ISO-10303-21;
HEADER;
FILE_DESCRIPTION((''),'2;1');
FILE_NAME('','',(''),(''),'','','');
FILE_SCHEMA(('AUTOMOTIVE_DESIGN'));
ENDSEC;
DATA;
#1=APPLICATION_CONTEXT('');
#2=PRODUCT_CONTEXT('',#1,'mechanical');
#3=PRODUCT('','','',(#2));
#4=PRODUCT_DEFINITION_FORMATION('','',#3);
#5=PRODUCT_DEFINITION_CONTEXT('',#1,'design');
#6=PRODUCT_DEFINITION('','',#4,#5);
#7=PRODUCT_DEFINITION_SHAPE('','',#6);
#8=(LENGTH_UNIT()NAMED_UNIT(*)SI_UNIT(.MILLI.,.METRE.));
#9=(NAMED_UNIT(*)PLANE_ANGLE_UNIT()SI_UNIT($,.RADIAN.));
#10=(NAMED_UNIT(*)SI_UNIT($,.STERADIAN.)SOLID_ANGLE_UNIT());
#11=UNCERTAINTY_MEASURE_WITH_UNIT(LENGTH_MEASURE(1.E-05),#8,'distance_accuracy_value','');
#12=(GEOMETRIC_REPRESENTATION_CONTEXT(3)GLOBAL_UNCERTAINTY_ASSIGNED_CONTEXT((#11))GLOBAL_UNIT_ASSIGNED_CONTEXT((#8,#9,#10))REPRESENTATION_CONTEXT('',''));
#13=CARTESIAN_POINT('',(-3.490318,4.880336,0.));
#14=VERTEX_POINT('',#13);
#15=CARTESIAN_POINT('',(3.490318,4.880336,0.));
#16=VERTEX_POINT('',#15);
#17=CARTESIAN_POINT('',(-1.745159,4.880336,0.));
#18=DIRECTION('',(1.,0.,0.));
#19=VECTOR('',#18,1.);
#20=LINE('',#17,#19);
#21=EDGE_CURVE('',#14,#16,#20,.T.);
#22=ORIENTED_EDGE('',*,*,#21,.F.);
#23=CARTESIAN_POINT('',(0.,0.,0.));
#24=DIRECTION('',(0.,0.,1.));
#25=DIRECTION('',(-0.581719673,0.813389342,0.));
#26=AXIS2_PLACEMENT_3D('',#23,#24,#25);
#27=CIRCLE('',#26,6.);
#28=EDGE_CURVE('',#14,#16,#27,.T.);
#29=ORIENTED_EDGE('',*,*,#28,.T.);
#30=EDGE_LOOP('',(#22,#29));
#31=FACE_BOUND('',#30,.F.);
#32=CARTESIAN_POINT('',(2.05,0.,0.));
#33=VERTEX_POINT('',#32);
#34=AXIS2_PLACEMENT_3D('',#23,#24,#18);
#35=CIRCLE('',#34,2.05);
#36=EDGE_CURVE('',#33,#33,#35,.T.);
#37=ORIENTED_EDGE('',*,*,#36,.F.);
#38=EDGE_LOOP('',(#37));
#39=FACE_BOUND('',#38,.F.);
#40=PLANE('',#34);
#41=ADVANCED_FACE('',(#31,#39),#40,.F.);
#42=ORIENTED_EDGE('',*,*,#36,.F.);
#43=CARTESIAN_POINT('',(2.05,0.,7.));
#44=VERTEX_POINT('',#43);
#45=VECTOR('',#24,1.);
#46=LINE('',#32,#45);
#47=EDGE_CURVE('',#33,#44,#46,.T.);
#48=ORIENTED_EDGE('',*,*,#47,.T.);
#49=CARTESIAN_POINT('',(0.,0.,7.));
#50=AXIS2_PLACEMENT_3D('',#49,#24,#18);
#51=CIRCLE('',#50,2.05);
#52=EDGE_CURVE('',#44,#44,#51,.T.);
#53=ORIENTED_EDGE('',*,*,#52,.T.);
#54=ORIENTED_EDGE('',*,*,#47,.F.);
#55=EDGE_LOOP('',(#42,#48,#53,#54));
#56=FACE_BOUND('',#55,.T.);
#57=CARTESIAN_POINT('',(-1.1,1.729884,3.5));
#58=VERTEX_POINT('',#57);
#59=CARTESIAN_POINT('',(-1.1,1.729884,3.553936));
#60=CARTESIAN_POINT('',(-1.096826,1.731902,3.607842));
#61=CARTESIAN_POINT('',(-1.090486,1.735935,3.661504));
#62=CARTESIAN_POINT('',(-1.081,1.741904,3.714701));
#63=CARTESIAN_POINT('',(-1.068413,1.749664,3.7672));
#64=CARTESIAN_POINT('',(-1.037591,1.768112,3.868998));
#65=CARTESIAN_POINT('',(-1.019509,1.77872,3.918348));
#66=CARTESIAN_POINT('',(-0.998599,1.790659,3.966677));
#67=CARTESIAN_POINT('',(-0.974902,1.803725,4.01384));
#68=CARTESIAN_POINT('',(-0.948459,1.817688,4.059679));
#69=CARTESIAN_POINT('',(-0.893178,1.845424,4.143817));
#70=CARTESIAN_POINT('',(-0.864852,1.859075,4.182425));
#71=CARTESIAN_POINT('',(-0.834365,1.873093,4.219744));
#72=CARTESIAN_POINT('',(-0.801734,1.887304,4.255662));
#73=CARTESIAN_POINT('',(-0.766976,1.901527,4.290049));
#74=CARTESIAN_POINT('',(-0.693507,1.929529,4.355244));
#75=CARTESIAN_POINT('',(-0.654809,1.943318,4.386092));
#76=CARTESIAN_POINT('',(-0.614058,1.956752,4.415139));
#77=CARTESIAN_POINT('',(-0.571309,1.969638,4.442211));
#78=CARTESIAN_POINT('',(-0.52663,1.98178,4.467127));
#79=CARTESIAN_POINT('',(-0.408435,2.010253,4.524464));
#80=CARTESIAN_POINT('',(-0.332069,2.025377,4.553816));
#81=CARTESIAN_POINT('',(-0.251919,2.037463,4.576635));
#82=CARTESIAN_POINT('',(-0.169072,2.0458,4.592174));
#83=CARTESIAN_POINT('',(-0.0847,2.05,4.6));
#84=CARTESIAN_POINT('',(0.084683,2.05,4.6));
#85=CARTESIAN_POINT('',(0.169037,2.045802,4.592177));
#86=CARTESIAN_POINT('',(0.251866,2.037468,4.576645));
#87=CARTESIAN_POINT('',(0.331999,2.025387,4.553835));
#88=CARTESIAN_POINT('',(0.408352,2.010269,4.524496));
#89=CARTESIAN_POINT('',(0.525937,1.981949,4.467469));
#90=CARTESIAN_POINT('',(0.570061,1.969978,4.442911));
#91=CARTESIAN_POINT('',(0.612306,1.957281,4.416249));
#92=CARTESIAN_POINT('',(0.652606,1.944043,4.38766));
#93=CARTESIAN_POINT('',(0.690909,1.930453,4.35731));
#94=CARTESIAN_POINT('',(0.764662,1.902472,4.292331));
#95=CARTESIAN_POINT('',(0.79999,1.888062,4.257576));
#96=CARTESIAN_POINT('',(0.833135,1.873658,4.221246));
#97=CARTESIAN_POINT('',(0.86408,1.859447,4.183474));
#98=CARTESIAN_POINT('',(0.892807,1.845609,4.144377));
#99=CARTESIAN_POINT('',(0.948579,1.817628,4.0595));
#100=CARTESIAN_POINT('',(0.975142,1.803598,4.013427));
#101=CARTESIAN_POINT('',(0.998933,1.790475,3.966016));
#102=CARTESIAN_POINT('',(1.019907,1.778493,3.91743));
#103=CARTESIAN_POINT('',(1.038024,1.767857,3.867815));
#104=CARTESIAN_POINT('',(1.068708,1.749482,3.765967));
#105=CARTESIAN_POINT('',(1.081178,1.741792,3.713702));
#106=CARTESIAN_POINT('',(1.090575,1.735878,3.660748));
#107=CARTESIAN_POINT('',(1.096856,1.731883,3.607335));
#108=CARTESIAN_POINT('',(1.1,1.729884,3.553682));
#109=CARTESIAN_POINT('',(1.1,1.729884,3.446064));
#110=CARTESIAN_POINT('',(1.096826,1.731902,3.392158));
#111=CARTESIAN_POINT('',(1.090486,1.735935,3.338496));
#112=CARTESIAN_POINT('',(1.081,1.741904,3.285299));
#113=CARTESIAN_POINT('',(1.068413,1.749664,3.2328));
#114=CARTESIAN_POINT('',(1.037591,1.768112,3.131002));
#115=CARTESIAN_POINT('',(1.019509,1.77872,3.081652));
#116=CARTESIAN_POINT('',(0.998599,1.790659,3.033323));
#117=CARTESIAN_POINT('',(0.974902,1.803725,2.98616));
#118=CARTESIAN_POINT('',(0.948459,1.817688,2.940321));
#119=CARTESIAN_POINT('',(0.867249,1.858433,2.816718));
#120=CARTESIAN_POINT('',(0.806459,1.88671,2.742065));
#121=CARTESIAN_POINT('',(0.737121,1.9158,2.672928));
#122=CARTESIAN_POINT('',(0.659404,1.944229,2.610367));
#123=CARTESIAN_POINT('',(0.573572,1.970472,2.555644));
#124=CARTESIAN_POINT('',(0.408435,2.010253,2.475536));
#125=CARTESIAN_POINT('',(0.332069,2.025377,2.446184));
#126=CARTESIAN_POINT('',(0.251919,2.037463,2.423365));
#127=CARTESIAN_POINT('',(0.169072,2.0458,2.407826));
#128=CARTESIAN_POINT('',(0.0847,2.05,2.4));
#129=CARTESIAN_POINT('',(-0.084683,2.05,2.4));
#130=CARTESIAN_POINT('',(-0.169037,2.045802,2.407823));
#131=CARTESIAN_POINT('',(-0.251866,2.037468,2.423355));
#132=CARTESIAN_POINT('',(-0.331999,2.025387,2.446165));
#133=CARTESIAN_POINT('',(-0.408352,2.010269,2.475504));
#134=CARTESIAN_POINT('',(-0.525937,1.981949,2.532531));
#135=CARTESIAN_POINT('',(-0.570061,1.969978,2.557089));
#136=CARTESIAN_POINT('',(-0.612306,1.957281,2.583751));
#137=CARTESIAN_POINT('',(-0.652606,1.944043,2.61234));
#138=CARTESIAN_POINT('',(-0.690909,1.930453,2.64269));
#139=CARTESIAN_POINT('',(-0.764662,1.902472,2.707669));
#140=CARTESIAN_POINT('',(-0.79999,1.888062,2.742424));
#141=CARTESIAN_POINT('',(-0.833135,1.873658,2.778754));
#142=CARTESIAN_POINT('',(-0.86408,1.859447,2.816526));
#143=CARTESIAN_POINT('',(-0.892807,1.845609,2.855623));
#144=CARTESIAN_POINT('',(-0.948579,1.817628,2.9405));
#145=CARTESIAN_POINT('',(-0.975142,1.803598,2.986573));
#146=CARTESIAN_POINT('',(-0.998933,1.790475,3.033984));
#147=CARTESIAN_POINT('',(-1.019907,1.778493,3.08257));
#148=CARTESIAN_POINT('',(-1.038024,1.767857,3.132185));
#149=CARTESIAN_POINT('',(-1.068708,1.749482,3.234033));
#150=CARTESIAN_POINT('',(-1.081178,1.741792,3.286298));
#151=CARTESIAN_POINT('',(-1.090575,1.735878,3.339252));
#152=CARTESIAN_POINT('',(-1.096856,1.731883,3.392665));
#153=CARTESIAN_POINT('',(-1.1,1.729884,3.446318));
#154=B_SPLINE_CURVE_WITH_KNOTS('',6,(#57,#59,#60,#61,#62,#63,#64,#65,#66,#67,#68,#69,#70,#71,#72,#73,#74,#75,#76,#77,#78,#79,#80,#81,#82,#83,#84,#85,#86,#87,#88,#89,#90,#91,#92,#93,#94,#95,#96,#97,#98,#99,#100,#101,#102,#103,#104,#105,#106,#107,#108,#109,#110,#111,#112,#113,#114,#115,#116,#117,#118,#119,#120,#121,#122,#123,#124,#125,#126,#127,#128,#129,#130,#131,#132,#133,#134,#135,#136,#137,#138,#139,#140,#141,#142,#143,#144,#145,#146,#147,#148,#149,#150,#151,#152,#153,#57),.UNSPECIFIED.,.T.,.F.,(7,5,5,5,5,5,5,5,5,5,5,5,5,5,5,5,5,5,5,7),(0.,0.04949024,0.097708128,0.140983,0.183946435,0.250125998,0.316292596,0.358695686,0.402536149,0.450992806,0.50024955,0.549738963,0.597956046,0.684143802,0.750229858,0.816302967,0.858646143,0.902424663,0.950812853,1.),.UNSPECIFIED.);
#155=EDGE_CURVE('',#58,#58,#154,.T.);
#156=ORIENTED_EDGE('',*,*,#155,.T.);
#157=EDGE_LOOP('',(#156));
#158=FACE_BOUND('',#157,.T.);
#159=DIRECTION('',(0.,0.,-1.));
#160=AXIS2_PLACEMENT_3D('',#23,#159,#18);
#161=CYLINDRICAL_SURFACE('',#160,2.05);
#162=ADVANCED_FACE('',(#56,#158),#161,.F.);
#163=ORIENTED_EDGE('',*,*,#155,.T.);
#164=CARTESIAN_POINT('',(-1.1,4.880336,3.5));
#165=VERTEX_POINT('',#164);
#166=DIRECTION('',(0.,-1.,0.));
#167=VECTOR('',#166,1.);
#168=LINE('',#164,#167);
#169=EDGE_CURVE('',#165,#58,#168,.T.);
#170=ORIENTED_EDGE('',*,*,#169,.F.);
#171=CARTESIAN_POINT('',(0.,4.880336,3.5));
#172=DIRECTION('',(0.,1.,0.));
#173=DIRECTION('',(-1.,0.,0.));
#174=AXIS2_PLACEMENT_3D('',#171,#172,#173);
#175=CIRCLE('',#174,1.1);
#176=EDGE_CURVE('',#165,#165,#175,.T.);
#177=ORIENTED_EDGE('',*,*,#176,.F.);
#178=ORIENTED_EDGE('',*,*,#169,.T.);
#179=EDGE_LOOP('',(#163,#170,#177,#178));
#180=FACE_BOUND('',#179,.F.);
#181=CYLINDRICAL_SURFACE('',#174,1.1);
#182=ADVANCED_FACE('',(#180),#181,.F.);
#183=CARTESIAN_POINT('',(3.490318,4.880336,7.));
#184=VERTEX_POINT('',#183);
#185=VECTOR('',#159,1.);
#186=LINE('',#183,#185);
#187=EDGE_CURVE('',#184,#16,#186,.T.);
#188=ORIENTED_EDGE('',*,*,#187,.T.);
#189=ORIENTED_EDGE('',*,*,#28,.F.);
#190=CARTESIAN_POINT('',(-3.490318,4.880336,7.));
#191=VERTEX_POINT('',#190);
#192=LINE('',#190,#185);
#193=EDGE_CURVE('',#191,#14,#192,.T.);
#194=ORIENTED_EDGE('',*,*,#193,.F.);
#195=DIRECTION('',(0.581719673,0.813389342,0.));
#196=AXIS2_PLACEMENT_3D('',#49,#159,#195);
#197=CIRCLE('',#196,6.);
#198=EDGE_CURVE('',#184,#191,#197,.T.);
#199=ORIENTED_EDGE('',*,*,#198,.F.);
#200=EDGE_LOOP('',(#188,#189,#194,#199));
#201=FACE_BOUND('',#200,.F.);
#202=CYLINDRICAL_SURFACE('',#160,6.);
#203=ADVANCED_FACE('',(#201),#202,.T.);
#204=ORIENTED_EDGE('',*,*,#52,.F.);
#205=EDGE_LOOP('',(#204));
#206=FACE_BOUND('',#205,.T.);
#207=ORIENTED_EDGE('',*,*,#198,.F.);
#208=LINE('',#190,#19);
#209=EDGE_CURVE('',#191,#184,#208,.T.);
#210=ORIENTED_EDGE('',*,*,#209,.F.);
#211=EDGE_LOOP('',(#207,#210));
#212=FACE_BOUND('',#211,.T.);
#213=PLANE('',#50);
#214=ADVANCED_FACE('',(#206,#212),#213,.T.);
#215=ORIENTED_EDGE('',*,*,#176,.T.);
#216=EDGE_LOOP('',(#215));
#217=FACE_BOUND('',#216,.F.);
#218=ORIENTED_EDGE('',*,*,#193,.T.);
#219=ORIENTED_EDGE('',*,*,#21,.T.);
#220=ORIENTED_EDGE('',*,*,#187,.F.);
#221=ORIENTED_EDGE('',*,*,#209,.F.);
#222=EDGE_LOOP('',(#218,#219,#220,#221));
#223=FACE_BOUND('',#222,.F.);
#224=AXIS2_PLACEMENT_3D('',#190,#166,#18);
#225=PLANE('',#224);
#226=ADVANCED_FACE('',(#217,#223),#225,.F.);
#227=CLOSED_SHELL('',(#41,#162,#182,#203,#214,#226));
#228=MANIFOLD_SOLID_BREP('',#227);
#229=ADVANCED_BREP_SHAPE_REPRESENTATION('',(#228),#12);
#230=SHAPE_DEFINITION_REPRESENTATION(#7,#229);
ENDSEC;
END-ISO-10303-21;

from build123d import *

# Parameters (mm, degrees)
F0_R     = 6
F0_R_2   = 2.05
F1_DEPTH = 7
F3_DEPTH = 7.001
F4_R     = 1.1
F5_DEPTH = 4


with BuildPart() as f1:
    # F0 (on Top) → F1 (new body)
    with BuildSketch(Plane.XY):
        Circle(F0_R)
        Circle(F0_R_2, mode=Mode.SUBTRACT)
    extrude(amount=F1_DEPTH)

    # F2 (on face) → F3 (cut, through all)
    with BuildSketch(Plane.XY.offset(7)):
        with BuildLine():
            ThreePointArc((3.490318, 4.880336), (0, 6), (-3.490318, 4.880336))
            Line((-3.490318, 4.880336), (3.490318, 4.880336))
        make_face()
    extrude(amount=-F3_DEPTH, mode=Mode.SUBTRACT)

    # F4 (on face) → F5 (cut)
    with BuildSketch(Plane(origin=(0, 4.880336, 0), x_dir=(-1, 0, 0), z_dir=(0, 1, 0))):
        with Locations((0, 3.5)):
            Circle(F4_R)
    extrude(amount=-F5_DEPTH, mode=Mode.SUBTRACT)


solid = f1.part
